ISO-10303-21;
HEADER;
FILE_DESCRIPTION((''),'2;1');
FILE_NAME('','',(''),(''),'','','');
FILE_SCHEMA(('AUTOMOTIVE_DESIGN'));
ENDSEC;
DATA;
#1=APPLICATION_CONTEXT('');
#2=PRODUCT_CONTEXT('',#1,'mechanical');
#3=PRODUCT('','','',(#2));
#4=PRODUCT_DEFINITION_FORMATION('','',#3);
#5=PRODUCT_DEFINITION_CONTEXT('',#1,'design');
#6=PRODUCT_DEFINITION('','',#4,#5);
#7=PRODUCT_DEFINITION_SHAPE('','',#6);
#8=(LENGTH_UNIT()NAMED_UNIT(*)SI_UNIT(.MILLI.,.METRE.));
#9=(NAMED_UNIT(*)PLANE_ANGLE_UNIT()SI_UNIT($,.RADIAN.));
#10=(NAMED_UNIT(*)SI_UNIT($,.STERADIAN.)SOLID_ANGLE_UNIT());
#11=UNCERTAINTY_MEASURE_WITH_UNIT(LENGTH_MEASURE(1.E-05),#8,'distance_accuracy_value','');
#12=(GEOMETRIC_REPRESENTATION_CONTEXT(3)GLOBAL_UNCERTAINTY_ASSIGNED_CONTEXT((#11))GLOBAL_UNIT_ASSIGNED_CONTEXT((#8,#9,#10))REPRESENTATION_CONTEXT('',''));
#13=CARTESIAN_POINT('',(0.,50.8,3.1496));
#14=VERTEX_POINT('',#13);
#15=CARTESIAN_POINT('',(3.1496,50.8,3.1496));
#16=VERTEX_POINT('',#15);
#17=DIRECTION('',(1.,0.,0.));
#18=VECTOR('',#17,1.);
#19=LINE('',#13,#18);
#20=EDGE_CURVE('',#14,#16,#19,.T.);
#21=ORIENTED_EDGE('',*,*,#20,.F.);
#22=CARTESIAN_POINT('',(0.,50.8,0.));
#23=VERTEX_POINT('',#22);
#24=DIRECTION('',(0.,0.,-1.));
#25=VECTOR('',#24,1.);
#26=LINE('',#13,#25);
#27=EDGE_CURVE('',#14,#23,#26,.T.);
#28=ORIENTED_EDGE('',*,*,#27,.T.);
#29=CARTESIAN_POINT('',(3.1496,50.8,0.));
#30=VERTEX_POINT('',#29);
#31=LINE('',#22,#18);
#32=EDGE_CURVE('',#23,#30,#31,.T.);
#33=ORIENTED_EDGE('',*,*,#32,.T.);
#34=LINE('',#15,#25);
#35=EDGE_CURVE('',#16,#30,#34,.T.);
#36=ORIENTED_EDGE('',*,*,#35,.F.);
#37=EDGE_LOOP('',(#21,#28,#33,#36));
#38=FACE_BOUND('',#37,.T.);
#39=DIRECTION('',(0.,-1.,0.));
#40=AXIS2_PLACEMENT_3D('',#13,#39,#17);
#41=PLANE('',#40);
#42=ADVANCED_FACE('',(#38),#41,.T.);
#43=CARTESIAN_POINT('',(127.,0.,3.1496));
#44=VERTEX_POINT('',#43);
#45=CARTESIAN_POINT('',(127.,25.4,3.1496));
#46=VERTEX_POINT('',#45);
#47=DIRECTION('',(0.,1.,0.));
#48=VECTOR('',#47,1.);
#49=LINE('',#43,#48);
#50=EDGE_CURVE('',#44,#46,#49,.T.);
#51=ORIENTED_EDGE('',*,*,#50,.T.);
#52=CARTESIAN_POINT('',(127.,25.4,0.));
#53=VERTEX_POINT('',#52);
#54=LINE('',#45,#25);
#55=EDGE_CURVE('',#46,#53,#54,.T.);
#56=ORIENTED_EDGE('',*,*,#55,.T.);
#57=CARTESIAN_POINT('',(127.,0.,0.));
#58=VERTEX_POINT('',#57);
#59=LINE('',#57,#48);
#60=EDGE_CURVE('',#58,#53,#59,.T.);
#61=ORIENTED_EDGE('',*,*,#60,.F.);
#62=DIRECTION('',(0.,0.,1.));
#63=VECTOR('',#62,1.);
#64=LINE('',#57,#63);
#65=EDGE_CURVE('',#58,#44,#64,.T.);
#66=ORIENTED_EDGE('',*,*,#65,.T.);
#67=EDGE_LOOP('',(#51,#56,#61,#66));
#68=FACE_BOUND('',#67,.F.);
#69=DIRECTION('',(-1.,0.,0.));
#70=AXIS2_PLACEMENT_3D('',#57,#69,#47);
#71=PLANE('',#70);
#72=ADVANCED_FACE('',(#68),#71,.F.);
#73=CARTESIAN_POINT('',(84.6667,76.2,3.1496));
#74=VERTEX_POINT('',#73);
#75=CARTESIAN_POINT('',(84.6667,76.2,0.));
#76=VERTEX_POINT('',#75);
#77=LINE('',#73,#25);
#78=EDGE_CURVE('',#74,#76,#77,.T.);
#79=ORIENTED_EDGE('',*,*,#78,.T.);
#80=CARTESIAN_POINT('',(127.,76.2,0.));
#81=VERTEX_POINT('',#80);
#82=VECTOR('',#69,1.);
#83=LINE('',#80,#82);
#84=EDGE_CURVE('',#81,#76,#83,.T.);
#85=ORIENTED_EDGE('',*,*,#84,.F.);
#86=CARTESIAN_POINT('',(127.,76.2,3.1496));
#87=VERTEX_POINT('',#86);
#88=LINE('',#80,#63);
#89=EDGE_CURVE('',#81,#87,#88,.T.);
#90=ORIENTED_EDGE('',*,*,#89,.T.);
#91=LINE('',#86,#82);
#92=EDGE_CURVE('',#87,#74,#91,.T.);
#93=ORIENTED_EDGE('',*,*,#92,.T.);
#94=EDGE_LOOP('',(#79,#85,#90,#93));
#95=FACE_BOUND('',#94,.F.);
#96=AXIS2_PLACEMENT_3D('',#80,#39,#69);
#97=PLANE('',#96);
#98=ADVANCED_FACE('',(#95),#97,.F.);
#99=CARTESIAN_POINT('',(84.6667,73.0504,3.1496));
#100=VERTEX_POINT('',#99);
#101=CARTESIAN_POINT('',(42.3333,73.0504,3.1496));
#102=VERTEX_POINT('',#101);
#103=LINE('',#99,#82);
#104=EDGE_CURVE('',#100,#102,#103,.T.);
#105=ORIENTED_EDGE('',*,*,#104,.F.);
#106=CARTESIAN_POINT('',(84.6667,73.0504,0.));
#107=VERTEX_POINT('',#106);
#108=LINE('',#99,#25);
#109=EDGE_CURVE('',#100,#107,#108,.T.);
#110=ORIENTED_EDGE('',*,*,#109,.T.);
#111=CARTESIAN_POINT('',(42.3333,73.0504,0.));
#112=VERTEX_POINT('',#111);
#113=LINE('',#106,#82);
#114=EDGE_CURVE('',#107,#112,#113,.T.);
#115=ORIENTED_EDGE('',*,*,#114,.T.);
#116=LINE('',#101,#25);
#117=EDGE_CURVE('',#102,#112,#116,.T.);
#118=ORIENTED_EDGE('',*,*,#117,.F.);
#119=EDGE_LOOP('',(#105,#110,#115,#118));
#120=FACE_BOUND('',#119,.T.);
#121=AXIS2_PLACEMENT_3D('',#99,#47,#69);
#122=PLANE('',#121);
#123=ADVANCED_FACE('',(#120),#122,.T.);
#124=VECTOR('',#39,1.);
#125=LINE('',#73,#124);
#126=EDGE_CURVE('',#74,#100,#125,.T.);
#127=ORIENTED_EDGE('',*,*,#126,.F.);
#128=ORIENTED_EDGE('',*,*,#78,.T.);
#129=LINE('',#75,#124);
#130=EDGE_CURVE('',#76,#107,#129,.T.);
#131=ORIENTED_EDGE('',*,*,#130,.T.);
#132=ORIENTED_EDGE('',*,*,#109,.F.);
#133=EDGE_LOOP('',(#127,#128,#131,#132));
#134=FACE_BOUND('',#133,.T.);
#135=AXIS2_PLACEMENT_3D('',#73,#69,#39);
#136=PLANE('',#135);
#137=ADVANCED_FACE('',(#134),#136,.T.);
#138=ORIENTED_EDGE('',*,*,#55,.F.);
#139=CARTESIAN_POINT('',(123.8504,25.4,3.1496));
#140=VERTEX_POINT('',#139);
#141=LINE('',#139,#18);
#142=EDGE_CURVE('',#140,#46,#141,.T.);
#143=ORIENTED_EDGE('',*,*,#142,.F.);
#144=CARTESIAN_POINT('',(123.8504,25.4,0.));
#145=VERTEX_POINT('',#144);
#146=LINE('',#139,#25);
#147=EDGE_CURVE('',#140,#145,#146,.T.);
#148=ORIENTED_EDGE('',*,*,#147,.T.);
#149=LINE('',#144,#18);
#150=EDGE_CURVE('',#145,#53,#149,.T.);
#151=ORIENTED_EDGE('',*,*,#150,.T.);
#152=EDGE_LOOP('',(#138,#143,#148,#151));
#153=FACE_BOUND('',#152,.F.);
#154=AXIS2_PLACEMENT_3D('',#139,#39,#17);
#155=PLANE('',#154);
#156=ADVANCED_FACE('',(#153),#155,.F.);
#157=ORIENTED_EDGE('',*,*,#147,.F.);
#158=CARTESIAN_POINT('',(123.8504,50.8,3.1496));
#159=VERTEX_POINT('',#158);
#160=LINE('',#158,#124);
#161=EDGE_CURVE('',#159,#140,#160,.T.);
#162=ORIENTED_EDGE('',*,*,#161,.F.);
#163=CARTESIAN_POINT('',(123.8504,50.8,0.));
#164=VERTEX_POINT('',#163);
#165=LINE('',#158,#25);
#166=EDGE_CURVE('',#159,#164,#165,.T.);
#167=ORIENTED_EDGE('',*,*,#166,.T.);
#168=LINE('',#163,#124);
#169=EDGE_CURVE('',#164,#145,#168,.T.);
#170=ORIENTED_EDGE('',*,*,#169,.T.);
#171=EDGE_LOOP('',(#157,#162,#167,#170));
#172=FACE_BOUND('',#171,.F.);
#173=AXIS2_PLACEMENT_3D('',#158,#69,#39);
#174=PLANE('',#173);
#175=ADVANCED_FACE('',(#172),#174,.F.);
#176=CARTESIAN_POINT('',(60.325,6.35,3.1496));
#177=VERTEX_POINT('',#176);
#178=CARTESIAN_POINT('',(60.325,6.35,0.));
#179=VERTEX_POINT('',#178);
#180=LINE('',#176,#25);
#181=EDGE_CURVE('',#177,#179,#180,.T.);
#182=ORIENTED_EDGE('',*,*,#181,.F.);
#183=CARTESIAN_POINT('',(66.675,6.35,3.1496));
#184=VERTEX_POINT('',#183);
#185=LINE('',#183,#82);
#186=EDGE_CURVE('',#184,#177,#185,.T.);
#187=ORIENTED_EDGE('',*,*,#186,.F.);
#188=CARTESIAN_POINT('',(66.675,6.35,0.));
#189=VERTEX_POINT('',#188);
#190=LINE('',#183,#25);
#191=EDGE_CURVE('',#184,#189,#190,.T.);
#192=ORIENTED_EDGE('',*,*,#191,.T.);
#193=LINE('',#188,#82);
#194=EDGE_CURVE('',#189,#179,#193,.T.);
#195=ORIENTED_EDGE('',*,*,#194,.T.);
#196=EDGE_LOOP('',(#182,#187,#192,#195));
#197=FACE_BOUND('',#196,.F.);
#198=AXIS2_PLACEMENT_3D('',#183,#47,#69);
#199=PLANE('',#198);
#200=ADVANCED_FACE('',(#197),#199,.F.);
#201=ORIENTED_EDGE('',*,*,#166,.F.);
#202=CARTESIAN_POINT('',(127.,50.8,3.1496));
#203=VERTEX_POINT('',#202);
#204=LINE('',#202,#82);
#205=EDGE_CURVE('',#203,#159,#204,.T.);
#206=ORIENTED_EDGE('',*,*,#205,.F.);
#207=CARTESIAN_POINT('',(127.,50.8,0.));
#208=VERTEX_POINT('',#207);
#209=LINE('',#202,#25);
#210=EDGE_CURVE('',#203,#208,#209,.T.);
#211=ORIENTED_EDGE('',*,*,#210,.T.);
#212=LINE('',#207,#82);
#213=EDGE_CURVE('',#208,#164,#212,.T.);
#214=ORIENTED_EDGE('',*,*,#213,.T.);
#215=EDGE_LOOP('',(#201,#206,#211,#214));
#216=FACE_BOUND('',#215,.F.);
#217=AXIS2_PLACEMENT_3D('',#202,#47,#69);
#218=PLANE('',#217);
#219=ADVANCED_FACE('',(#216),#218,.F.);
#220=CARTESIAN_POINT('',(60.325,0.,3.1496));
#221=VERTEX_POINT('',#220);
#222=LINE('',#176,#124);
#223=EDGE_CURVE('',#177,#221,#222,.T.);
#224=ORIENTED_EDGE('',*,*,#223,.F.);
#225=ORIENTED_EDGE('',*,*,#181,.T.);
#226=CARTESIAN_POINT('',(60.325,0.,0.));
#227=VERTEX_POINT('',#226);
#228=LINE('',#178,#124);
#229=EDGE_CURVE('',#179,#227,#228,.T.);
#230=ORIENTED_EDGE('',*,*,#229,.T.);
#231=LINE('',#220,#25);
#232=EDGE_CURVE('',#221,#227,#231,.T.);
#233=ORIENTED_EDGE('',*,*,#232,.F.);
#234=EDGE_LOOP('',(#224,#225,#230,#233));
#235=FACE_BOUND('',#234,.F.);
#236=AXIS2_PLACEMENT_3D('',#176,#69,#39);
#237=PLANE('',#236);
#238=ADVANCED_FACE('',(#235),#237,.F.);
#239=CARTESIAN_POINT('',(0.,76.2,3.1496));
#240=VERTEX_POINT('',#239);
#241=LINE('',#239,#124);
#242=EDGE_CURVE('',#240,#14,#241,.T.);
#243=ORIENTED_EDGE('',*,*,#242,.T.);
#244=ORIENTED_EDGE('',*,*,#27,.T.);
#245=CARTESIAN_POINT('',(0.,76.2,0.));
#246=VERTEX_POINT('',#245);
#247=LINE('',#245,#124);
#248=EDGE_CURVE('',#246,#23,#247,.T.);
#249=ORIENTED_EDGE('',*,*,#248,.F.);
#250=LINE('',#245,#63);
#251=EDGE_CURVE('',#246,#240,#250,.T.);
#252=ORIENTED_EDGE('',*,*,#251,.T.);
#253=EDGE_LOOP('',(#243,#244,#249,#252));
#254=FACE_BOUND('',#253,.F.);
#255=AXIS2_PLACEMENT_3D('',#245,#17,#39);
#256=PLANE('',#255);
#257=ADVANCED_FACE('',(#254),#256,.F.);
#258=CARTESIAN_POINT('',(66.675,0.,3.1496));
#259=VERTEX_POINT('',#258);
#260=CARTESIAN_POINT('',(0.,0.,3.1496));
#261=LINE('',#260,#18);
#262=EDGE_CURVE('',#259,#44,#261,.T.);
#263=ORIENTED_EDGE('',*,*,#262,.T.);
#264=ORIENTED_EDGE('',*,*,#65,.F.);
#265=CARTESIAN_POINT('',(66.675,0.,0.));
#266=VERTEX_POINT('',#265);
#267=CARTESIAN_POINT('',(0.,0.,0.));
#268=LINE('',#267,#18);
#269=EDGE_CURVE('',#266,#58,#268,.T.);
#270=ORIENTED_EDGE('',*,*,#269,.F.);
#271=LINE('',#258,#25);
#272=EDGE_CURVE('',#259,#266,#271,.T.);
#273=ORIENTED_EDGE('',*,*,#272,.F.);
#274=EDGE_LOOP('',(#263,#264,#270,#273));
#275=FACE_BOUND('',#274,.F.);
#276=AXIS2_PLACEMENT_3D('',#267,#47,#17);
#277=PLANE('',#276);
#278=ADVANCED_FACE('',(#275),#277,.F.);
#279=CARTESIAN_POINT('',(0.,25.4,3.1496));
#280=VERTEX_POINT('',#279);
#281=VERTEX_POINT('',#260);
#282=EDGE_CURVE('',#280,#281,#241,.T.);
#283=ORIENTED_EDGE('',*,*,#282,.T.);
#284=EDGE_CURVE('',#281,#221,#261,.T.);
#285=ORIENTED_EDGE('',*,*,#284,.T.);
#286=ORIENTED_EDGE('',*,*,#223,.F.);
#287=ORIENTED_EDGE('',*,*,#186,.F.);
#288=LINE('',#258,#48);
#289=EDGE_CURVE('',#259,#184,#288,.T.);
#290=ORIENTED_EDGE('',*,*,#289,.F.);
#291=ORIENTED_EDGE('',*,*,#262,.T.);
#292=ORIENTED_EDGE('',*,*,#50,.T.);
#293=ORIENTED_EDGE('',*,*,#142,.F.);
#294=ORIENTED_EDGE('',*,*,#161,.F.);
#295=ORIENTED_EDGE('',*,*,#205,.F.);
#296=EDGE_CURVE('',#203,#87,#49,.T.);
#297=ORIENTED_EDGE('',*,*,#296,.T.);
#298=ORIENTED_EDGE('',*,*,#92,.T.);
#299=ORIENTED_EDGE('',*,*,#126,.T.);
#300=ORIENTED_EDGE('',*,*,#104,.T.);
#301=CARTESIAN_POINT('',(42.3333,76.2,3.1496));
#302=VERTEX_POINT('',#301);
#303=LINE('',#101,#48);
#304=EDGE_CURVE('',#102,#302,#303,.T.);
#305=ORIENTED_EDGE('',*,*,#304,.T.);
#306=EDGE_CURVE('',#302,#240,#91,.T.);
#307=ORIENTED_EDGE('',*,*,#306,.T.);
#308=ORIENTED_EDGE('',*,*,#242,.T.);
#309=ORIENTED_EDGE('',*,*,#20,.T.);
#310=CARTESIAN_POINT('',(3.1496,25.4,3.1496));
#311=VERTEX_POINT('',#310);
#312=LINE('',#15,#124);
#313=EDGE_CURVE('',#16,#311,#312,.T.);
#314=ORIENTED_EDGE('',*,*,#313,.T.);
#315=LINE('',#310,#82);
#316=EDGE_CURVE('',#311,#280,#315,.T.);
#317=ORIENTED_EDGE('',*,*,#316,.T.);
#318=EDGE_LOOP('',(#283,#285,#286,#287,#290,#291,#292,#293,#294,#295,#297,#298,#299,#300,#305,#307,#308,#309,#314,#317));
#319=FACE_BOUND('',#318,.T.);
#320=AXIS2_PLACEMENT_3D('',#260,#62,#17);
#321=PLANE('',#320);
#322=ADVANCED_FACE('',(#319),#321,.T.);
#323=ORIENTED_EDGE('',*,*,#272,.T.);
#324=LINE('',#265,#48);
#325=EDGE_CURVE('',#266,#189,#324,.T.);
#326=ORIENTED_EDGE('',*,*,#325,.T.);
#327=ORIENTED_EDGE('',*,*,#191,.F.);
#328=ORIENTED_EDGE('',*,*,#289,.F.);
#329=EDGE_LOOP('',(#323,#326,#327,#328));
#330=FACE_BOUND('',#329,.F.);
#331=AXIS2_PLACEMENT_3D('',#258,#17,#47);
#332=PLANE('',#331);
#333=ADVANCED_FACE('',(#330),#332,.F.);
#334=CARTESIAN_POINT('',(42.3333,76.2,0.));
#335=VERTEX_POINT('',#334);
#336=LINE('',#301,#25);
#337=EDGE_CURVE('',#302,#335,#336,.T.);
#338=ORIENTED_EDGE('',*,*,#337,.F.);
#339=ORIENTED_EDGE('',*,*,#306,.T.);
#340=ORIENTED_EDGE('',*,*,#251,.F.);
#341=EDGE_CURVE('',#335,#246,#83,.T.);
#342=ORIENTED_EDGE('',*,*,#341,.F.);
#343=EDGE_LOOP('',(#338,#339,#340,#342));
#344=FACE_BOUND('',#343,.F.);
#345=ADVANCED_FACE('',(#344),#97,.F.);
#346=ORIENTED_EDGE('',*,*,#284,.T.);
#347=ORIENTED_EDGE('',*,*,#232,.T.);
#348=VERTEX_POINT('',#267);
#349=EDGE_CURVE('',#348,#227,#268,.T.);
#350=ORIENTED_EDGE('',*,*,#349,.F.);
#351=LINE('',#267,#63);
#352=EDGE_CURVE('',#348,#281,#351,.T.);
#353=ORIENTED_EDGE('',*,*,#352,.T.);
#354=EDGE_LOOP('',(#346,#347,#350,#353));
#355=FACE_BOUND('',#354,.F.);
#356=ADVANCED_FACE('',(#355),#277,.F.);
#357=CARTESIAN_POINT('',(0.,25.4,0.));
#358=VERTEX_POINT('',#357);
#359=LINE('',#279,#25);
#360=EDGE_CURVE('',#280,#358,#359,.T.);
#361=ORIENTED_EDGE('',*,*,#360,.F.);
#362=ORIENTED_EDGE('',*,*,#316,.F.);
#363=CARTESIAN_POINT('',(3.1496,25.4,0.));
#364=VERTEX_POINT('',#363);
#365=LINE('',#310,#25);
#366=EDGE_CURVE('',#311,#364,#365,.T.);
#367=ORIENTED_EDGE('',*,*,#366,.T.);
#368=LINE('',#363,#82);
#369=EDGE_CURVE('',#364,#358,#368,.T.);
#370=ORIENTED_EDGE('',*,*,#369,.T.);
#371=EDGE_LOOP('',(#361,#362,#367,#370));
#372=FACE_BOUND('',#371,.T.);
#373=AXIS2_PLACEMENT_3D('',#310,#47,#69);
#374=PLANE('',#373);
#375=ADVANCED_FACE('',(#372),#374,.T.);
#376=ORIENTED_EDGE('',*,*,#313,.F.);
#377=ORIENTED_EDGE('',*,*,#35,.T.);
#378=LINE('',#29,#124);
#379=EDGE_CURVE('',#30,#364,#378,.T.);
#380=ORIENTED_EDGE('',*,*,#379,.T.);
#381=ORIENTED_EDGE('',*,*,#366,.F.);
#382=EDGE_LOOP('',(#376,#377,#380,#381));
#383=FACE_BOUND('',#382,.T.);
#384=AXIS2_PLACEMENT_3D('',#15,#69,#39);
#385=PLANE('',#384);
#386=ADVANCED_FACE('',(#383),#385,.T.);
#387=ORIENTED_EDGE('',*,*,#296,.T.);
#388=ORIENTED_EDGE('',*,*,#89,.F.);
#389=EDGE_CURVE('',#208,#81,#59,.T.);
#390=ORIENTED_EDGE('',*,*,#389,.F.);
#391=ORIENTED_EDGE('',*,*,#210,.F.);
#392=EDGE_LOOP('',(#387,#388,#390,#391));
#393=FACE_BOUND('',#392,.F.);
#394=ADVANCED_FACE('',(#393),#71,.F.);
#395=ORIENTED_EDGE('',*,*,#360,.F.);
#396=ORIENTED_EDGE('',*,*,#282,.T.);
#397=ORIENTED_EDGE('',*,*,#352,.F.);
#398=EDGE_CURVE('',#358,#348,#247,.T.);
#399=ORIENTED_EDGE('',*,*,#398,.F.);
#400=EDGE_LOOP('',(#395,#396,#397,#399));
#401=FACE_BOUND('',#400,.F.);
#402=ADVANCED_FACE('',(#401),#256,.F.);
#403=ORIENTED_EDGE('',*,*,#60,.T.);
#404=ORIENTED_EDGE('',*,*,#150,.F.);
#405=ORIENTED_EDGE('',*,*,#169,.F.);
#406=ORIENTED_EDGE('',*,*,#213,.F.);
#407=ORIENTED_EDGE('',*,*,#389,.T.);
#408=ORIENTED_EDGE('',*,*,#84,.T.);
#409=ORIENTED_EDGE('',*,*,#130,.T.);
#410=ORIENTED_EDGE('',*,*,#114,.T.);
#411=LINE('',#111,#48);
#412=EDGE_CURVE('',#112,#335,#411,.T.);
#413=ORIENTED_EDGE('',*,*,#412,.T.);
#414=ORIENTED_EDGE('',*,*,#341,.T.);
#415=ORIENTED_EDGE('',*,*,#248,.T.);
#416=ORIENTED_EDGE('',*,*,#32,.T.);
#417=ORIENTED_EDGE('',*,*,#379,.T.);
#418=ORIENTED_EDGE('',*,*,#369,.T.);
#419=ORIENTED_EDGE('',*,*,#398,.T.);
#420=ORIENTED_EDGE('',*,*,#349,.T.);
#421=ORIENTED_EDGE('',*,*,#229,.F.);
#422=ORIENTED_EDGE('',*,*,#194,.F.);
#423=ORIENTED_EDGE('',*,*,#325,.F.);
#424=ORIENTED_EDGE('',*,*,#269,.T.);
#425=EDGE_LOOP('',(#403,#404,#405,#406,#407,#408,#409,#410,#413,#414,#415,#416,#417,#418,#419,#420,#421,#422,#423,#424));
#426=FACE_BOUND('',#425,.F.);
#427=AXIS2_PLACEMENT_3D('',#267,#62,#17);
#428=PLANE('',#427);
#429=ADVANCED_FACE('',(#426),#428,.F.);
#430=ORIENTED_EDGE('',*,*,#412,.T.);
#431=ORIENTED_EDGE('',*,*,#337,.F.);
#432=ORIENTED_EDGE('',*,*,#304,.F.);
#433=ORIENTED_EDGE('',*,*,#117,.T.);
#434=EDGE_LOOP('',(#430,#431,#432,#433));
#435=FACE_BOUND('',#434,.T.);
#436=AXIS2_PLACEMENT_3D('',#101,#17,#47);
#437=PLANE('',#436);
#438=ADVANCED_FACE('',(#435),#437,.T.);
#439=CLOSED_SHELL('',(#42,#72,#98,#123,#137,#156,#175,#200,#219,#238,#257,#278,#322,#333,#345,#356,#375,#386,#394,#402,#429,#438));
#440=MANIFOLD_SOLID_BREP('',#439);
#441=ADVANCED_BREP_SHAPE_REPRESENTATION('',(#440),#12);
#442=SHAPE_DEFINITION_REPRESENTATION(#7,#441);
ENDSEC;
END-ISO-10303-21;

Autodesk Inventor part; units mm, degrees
ref_plane "YZ Plane" through (0, 0, 0) normal (1, 0, 0) x (0, 1, 0)
ref_plane "XZ Plane" through (0, 0, 0) normal (0, 1, 0) x (-1, 0, 0)
ref_plane "XY Plane" through (0, 0, 0) normal (0, 0, 1) x (1, 0, 0)
sketch "Sketch1" plane through (0, 0, 0) normal (0, 0, 1) x (1, 0, 0)
  line L0 (0, 0) -> (127, 0)
  line L1 (127, 0) -> (127, 76.2)
  line L2 (127, 76.2) -> (0, 76.2)
  line L3 (0, 76.2) -> (0, 0)
  dimension "d0" = 127
  dimension "d1" = 76.2
extrude "Extrusion1" add sketch "Sketch1" along normal blind 3.1496
sketch "Sketch4" plane through (0, 0, 3.1496) normal (0, 0, 1) x (1, 0, 0)
  line L0 (0, 0) -> (127, 0) projected
  line L1 (127, 0) -> (127, 76.2) projected
  line L2 (127, 76.2) -> (0, 76.2) projected
  line L3 (0, 76.2) -> (0, 0) projected
  line L4 (0, 50.8) -> (3.1496, 50.8)
  line L5 (3.1496, 50.8) -> (3.1496, 25.4)
  line L6 (3.1496, 25.4) -> (0, 25.4)
  line L7 (0, 25.4) -> (0, 50.8)
  line L8 (127, 50.8) -> (123.8504, 50.8)
  line L9 (123.8504, 50.8) -> (123.8504, 25.4)
  line L10 (123.8504, 25.4) -> (127, 25.4)
  line L11 (127, 25.4) -> (127, 50.8)
  line L12 (42.3333, 76.2) -> (84.6667, 76.2)
  line L13 (84.6667, 76.2) -> (84.6667, 73.0504)
  line L14 (84.6667, 73.0504) -> (42.3333, 73.0504)
  line L15 (42.3333, 73.0504) -> (42.3333, 76.2)
  dimension "d7" = 3.1496
  dimension "d8" = 25.4
  dimension "d9" = 25.4
  dimension "d10" = 3.1496
  dimension "d11" = 25.4
  dimension "d12" = 25.4
  dimension "d13" = 42.3333
  dimension "d14" = 3.1496
  dimension "d15" = 42.3333
extrude "Extrusion2" cut sketch "Sketch4" against normal blind 3.1496 contours L3 L4 L5 L6 | L10 L9 L8 L1 | L2 L13 L14 L15
sketch "Sketch5" plane through (0, 0, 3.1496) normal (0, 0, 1) x (1, 0, 0)
  line L0 (0, 25.4) -> (0, 0) projected
  line L1 (0, 0) -> (127, 0) projected
  line L2 (60.325, 0) -> (66.675, 0)
  line L3 (66.675, 0) -> (66.675, 6.35)
  line L4 (66.675, 6.35) -> (60.325, 6.35)
  line L5 (60.325, 6.35) -> (60.325, 0)
  dimension "d18" = 6.35
  dimension "d19" = 6.35
  dimension "d20" = 60.325
extrude "Extrusion3" cut sketch "Sketch5" against normal blind 3.1496
equation "\"d0\" = width"
equation "\"d1\" = height"
equation "\"d2\" = thick"
equation "\"d7\" = thick"
equation "\"d8\" = 0.333333 * height"
equation "\"d9\" = 0.333333 * height"
equation "\"d10\" = thick"
equation "\"d11\" = 0.333333 * height"
equation "\"d12\" = 0.333333 * height"
equation "\"d13\" = 0.333333 * width"
equation "\"d14\" = thick"
equation "\"d15\" = 0.333333 * width"
equation "\"d16\" = thick"
equation "\"d21\" = thick"
equation "\"height\" = 76.2"
equation "\"width\" = 127"
equation "\"thick\" = 3.1496"
properties part number "Front"
